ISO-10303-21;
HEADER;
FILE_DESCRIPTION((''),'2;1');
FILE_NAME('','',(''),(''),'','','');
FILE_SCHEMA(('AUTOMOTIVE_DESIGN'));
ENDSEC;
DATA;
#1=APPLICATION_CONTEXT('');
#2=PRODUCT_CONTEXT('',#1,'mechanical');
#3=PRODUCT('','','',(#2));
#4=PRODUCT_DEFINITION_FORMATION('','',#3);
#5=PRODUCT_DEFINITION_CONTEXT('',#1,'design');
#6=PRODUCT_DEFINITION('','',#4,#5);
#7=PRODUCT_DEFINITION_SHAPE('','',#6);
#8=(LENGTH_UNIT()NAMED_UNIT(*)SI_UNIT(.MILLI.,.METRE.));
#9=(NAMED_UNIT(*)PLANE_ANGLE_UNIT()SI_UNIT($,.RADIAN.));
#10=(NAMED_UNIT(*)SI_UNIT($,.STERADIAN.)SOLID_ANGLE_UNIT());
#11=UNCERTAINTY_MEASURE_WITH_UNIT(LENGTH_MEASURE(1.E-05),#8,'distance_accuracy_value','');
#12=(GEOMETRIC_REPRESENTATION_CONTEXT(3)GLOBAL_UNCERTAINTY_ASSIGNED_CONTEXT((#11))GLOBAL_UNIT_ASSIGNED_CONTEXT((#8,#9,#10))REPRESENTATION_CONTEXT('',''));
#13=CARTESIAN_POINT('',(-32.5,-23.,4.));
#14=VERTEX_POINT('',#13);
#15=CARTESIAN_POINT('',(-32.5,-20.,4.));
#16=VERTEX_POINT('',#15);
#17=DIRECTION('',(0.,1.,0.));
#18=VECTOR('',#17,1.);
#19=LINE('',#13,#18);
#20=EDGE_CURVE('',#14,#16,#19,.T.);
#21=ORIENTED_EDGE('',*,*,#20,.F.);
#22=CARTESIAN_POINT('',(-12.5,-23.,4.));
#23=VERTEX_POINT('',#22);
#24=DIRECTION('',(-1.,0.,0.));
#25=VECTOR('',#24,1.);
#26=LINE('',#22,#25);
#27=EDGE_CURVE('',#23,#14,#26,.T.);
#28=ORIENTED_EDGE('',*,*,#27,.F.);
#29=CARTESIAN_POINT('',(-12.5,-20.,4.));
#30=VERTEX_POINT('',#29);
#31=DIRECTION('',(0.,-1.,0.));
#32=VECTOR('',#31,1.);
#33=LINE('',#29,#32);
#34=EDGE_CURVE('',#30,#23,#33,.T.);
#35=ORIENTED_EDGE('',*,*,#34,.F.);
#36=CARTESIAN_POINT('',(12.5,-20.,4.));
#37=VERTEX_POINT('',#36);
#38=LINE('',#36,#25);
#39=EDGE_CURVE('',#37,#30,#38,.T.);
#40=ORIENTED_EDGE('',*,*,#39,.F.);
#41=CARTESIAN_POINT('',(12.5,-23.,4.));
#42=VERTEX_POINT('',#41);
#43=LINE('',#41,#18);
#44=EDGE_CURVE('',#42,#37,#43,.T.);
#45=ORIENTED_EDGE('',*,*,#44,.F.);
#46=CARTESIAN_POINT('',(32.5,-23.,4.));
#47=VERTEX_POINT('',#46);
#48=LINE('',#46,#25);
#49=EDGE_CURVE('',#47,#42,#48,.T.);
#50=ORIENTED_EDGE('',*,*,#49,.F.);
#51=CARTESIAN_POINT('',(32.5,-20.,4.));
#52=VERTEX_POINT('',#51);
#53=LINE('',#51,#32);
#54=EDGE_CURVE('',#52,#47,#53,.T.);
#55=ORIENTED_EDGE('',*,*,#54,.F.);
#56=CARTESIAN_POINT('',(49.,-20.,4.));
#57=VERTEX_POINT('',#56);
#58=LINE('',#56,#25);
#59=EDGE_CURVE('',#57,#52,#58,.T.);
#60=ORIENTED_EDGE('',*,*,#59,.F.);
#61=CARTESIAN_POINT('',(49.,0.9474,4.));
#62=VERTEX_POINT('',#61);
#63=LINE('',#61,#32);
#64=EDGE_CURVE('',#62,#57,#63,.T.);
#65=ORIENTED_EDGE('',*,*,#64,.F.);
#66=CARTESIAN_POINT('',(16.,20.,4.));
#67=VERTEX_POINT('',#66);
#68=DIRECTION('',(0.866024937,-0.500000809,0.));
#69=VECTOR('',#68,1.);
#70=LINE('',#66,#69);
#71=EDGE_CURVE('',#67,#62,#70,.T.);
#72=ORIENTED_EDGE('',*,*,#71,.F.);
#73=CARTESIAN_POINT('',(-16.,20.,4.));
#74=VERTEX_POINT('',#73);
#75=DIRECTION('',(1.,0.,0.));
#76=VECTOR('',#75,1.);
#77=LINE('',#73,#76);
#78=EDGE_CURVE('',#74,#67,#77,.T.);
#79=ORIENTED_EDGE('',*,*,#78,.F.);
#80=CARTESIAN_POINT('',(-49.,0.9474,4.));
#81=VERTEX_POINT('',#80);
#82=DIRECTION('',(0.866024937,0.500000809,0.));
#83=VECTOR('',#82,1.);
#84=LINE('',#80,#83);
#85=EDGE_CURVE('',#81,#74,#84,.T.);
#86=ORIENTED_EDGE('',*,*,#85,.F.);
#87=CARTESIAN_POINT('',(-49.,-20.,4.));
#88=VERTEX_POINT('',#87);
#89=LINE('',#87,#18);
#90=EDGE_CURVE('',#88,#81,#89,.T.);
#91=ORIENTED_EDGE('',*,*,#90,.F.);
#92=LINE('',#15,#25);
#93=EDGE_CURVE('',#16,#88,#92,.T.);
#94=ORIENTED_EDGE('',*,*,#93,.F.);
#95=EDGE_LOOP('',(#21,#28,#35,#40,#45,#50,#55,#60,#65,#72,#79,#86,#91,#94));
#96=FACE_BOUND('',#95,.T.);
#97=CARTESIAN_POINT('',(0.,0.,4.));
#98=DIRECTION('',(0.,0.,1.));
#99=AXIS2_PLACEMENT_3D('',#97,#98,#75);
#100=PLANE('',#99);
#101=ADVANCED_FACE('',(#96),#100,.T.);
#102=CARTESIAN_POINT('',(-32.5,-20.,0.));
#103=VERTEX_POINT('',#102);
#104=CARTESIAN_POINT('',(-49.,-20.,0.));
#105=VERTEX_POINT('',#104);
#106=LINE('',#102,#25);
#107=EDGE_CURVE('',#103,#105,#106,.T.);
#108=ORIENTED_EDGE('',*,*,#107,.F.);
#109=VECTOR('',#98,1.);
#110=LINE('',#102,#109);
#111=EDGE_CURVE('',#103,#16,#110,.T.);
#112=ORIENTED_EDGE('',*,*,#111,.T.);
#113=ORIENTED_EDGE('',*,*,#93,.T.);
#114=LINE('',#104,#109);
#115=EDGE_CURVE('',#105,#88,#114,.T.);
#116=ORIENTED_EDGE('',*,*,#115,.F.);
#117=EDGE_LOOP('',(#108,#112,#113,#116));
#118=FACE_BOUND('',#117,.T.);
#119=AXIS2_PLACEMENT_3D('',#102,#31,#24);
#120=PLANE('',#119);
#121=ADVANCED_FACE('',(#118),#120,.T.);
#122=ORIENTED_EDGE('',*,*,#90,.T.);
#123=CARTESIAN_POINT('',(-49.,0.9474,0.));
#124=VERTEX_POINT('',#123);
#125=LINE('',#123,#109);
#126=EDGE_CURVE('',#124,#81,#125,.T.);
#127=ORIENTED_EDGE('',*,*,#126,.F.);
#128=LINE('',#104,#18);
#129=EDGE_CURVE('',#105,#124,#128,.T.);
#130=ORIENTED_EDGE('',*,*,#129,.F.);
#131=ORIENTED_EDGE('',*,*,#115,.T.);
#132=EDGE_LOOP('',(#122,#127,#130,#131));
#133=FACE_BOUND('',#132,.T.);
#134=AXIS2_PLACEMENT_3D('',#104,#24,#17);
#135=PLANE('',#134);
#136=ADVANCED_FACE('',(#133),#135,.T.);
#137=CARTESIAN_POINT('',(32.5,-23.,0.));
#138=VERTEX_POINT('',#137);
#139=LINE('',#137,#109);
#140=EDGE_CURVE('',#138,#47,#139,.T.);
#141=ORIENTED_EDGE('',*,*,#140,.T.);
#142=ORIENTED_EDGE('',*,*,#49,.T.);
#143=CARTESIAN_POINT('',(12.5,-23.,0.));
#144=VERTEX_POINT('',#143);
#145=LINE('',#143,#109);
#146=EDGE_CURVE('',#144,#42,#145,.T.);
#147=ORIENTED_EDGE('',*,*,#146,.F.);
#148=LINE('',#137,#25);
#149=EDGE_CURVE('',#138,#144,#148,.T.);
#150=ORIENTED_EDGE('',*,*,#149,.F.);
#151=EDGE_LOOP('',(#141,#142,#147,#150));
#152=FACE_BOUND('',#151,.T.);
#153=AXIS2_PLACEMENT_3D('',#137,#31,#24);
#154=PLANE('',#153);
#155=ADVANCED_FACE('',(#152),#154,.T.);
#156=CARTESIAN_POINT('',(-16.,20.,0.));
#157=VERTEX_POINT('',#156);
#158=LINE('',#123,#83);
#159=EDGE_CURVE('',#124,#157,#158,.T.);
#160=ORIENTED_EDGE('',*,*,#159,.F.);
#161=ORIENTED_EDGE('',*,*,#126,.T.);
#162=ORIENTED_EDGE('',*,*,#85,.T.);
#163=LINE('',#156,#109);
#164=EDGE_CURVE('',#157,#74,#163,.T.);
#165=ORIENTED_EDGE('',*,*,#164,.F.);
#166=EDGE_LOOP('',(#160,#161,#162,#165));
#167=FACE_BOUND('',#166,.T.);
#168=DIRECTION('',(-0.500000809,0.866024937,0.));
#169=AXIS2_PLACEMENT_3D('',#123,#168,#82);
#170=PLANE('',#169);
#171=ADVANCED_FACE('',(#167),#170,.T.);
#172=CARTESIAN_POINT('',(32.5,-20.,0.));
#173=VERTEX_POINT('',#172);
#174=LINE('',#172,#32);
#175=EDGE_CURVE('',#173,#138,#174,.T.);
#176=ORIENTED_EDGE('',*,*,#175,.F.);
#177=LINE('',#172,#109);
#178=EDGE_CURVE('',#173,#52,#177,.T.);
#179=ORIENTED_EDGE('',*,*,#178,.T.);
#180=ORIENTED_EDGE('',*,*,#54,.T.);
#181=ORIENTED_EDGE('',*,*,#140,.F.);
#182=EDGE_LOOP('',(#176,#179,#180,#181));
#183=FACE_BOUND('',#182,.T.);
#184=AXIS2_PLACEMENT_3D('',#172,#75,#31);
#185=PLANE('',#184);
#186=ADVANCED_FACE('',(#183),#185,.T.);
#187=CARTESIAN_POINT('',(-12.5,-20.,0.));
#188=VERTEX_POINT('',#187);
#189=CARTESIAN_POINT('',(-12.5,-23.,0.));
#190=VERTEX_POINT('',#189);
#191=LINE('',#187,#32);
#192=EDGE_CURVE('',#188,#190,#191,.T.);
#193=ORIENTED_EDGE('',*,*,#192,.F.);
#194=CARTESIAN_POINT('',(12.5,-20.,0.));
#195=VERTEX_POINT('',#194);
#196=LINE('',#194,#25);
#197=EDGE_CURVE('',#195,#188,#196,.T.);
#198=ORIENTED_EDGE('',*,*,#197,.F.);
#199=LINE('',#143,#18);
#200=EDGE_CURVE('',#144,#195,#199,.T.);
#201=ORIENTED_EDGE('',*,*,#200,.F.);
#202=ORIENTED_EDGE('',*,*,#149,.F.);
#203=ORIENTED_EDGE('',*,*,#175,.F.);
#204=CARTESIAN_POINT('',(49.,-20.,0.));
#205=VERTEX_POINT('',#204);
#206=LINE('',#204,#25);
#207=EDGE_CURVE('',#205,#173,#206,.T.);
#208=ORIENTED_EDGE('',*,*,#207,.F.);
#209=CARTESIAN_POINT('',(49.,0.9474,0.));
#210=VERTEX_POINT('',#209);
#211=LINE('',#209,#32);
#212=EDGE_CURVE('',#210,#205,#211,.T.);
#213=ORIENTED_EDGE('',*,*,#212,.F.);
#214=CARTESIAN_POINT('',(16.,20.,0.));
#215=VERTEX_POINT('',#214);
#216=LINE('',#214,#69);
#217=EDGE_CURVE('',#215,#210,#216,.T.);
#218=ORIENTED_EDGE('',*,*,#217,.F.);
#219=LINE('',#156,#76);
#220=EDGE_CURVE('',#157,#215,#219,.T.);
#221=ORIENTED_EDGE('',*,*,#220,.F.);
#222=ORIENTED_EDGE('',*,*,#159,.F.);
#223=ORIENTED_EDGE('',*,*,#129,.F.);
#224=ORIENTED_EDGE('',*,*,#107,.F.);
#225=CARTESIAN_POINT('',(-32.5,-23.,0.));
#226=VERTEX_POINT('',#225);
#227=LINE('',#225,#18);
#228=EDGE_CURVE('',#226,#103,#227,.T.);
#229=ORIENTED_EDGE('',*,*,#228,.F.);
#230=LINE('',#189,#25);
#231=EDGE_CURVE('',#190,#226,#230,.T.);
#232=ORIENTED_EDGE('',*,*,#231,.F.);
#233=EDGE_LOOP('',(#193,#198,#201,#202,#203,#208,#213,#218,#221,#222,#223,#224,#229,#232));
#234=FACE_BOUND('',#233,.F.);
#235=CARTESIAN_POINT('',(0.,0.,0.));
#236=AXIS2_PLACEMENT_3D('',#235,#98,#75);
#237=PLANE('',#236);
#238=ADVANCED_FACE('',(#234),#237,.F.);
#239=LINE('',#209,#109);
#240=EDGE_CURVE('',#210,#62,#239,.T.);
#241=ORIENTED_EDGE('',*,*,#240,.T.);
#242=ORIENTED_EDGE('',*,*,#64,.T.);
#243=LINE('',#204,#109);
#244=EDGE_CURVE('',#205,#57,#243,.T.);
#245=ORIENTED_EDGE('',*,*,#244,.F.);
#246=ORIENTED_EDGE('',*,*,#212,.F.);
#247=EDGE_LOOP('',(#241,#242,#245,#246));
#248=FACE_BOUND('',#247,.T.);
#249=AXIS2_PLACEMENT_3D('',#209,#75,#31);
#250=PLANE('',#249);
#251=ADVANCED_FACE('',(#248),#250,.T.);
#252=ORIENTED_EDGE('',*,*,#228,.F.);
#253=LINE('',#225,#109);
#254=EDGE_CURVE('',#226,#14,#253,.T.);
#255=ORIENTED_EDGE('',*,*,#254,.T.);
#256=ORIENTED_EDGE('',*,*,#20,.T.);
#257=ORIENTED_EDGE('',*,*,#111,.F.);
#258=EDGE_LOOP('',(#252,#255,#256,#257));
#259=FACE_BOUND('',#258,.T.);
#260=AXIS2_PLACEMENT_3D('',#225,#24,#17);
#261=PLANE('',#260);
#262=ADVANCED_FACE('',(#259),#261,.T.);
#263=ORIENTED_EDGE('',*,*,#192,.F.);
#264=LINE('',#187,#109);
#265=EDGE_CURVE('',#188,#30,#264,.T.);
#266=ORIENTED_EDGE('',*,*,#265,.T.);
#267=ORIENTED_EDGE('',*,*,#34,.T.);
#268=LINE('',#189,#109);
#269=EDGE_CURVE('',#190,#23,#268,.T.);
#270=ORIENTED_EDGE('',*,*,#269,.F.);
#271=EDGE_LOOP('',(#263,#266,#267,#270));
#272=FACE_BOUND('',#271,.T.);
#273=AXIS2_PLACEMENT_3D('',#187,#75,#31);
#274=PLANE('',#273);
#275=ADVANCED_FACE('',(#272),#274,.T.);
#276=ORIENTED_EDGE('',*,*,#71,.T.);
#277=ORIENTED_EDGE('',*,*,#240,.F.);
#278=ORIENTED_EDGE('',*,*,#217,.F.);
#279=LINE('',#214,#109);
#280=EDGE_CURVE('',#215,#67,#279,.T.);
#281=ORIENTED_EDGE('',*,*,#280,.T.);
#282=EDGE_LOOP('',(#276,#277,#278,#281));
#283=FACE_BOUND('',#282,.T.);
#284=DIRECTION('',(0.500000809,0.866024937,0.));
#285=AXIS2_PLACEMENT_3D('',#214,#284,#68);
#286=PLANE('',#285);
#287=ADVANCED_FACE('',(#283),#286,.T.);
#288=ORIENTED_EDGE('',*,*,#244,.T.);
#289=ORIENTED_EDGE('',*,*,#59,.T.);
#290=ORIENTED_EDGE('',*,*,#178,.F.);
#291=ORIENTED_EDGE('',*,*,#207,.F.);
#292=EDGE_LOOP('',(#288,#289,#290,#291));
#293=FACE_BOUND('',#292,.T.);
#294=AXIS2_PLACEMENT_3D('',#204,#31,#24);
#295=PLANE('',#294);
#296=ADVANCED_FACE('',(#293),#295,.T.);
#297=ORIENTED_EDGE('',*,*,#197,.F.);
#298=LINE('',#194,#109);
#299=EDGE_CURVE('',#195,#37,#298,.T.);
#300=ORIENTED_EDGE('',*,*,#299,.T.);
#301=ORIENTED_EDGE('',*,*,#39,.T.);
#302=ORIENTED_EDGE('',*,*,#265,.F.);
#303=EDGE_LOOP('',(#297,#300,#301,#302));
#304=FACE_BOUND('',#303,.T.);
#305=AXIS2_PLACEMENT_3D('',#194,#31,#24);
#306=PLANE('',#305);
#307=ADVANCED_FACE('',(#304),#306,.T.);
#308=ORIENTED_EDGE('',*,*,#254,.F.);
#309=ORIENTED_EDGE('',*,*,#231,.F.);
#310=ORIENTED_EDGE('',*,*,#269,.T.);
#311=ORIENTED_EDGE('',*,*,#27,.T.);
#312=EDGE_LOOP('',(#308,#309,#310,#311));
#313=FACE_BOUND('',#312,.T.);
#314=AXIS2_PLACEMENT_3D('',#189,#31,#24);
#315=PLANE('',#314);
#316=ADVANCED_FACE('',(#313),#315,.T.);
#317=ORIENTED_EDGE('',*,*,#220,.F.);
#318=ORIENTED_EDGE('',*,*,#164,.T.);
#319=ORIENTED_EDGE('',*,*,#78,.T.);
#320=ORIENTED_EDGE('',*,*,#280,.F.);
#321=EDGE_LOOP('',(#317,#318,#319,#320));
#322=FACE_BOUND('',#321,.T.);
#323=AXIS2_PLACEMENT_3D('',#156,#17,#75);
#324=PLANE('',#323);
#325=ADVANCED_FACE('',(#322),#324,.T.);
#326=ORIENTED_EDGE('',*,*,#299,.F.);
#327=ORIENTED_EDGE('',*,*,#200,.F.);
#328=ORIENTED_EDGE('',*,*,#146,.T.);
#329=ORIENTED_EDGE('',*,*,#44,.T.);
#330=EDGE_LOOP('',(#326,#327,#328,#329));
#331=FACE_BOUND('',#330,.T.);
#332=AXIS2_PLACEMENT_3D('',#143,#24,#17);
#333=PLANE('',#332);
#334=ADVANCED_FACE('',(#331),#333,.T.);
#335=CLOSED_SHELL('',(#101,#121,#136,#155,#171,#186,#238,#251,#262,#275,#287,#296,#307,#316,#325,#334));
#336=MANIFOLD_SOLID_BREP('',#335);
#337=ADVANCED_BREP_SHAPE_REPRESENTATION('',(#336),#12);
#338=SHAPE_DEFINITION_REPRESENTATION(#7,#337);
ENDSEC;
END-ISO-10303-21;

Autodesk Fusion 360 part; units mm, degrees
sketch "Boceto1" plane through (0, 0, 0) normal (0, 0, 1) x (1, 0, 0)
  line L0 (-16, 20) -> (16, 20)
  line L1 (49, 0.9474) -> (49, -20)
  line L2 (-49, -20) -> (-49, 0.9474)
  line L3 (-29.6674, 12.1091) -> (49, -20) construction
  line L4 (29.6674, 12.1091) -> (-49, -20) construction
  line L5 (-49, 0.9474) -> (-16, 20)
  line L6 (16, 20) -> (49, 0.9474)
  line L7 (-12.5, -20) -> (-12.5, -23)
  line L8 (-12.5, -23) -> (-32.5, -23)
  line L9 (-32.5, -23) -> (-32.5, -20)
  line L10 (32.5, -20) -> (32.5, -23)
  line L11 (32.5, -23) -> (12.5, -23)
  line L12 (12.5, -23) -> (12.5, -20)
  line L13 (-32.5, -20) -> (-49, -20)
  line L14 (49, -20) -> (32.5, -20)
  line L15 (12.5, -20) -> (-12.5, -20)
  dimension "d1" = 98
  dimension "d3" = 30
  dimension "d4" = 30
  dimension "d7" = 20
  dimension "d8" = 20
  dimension "d9" = 12.5
  dimension "d10" = 12.5
  dimension "d13" = 33
  dimension "d14" = 16.5
  dimension "d15" = 16.5
  dimension "d16" = 40
  dimension "d17" = 33
extrude "Extruir1" add sketch "Boceto1" along normal blind 4
